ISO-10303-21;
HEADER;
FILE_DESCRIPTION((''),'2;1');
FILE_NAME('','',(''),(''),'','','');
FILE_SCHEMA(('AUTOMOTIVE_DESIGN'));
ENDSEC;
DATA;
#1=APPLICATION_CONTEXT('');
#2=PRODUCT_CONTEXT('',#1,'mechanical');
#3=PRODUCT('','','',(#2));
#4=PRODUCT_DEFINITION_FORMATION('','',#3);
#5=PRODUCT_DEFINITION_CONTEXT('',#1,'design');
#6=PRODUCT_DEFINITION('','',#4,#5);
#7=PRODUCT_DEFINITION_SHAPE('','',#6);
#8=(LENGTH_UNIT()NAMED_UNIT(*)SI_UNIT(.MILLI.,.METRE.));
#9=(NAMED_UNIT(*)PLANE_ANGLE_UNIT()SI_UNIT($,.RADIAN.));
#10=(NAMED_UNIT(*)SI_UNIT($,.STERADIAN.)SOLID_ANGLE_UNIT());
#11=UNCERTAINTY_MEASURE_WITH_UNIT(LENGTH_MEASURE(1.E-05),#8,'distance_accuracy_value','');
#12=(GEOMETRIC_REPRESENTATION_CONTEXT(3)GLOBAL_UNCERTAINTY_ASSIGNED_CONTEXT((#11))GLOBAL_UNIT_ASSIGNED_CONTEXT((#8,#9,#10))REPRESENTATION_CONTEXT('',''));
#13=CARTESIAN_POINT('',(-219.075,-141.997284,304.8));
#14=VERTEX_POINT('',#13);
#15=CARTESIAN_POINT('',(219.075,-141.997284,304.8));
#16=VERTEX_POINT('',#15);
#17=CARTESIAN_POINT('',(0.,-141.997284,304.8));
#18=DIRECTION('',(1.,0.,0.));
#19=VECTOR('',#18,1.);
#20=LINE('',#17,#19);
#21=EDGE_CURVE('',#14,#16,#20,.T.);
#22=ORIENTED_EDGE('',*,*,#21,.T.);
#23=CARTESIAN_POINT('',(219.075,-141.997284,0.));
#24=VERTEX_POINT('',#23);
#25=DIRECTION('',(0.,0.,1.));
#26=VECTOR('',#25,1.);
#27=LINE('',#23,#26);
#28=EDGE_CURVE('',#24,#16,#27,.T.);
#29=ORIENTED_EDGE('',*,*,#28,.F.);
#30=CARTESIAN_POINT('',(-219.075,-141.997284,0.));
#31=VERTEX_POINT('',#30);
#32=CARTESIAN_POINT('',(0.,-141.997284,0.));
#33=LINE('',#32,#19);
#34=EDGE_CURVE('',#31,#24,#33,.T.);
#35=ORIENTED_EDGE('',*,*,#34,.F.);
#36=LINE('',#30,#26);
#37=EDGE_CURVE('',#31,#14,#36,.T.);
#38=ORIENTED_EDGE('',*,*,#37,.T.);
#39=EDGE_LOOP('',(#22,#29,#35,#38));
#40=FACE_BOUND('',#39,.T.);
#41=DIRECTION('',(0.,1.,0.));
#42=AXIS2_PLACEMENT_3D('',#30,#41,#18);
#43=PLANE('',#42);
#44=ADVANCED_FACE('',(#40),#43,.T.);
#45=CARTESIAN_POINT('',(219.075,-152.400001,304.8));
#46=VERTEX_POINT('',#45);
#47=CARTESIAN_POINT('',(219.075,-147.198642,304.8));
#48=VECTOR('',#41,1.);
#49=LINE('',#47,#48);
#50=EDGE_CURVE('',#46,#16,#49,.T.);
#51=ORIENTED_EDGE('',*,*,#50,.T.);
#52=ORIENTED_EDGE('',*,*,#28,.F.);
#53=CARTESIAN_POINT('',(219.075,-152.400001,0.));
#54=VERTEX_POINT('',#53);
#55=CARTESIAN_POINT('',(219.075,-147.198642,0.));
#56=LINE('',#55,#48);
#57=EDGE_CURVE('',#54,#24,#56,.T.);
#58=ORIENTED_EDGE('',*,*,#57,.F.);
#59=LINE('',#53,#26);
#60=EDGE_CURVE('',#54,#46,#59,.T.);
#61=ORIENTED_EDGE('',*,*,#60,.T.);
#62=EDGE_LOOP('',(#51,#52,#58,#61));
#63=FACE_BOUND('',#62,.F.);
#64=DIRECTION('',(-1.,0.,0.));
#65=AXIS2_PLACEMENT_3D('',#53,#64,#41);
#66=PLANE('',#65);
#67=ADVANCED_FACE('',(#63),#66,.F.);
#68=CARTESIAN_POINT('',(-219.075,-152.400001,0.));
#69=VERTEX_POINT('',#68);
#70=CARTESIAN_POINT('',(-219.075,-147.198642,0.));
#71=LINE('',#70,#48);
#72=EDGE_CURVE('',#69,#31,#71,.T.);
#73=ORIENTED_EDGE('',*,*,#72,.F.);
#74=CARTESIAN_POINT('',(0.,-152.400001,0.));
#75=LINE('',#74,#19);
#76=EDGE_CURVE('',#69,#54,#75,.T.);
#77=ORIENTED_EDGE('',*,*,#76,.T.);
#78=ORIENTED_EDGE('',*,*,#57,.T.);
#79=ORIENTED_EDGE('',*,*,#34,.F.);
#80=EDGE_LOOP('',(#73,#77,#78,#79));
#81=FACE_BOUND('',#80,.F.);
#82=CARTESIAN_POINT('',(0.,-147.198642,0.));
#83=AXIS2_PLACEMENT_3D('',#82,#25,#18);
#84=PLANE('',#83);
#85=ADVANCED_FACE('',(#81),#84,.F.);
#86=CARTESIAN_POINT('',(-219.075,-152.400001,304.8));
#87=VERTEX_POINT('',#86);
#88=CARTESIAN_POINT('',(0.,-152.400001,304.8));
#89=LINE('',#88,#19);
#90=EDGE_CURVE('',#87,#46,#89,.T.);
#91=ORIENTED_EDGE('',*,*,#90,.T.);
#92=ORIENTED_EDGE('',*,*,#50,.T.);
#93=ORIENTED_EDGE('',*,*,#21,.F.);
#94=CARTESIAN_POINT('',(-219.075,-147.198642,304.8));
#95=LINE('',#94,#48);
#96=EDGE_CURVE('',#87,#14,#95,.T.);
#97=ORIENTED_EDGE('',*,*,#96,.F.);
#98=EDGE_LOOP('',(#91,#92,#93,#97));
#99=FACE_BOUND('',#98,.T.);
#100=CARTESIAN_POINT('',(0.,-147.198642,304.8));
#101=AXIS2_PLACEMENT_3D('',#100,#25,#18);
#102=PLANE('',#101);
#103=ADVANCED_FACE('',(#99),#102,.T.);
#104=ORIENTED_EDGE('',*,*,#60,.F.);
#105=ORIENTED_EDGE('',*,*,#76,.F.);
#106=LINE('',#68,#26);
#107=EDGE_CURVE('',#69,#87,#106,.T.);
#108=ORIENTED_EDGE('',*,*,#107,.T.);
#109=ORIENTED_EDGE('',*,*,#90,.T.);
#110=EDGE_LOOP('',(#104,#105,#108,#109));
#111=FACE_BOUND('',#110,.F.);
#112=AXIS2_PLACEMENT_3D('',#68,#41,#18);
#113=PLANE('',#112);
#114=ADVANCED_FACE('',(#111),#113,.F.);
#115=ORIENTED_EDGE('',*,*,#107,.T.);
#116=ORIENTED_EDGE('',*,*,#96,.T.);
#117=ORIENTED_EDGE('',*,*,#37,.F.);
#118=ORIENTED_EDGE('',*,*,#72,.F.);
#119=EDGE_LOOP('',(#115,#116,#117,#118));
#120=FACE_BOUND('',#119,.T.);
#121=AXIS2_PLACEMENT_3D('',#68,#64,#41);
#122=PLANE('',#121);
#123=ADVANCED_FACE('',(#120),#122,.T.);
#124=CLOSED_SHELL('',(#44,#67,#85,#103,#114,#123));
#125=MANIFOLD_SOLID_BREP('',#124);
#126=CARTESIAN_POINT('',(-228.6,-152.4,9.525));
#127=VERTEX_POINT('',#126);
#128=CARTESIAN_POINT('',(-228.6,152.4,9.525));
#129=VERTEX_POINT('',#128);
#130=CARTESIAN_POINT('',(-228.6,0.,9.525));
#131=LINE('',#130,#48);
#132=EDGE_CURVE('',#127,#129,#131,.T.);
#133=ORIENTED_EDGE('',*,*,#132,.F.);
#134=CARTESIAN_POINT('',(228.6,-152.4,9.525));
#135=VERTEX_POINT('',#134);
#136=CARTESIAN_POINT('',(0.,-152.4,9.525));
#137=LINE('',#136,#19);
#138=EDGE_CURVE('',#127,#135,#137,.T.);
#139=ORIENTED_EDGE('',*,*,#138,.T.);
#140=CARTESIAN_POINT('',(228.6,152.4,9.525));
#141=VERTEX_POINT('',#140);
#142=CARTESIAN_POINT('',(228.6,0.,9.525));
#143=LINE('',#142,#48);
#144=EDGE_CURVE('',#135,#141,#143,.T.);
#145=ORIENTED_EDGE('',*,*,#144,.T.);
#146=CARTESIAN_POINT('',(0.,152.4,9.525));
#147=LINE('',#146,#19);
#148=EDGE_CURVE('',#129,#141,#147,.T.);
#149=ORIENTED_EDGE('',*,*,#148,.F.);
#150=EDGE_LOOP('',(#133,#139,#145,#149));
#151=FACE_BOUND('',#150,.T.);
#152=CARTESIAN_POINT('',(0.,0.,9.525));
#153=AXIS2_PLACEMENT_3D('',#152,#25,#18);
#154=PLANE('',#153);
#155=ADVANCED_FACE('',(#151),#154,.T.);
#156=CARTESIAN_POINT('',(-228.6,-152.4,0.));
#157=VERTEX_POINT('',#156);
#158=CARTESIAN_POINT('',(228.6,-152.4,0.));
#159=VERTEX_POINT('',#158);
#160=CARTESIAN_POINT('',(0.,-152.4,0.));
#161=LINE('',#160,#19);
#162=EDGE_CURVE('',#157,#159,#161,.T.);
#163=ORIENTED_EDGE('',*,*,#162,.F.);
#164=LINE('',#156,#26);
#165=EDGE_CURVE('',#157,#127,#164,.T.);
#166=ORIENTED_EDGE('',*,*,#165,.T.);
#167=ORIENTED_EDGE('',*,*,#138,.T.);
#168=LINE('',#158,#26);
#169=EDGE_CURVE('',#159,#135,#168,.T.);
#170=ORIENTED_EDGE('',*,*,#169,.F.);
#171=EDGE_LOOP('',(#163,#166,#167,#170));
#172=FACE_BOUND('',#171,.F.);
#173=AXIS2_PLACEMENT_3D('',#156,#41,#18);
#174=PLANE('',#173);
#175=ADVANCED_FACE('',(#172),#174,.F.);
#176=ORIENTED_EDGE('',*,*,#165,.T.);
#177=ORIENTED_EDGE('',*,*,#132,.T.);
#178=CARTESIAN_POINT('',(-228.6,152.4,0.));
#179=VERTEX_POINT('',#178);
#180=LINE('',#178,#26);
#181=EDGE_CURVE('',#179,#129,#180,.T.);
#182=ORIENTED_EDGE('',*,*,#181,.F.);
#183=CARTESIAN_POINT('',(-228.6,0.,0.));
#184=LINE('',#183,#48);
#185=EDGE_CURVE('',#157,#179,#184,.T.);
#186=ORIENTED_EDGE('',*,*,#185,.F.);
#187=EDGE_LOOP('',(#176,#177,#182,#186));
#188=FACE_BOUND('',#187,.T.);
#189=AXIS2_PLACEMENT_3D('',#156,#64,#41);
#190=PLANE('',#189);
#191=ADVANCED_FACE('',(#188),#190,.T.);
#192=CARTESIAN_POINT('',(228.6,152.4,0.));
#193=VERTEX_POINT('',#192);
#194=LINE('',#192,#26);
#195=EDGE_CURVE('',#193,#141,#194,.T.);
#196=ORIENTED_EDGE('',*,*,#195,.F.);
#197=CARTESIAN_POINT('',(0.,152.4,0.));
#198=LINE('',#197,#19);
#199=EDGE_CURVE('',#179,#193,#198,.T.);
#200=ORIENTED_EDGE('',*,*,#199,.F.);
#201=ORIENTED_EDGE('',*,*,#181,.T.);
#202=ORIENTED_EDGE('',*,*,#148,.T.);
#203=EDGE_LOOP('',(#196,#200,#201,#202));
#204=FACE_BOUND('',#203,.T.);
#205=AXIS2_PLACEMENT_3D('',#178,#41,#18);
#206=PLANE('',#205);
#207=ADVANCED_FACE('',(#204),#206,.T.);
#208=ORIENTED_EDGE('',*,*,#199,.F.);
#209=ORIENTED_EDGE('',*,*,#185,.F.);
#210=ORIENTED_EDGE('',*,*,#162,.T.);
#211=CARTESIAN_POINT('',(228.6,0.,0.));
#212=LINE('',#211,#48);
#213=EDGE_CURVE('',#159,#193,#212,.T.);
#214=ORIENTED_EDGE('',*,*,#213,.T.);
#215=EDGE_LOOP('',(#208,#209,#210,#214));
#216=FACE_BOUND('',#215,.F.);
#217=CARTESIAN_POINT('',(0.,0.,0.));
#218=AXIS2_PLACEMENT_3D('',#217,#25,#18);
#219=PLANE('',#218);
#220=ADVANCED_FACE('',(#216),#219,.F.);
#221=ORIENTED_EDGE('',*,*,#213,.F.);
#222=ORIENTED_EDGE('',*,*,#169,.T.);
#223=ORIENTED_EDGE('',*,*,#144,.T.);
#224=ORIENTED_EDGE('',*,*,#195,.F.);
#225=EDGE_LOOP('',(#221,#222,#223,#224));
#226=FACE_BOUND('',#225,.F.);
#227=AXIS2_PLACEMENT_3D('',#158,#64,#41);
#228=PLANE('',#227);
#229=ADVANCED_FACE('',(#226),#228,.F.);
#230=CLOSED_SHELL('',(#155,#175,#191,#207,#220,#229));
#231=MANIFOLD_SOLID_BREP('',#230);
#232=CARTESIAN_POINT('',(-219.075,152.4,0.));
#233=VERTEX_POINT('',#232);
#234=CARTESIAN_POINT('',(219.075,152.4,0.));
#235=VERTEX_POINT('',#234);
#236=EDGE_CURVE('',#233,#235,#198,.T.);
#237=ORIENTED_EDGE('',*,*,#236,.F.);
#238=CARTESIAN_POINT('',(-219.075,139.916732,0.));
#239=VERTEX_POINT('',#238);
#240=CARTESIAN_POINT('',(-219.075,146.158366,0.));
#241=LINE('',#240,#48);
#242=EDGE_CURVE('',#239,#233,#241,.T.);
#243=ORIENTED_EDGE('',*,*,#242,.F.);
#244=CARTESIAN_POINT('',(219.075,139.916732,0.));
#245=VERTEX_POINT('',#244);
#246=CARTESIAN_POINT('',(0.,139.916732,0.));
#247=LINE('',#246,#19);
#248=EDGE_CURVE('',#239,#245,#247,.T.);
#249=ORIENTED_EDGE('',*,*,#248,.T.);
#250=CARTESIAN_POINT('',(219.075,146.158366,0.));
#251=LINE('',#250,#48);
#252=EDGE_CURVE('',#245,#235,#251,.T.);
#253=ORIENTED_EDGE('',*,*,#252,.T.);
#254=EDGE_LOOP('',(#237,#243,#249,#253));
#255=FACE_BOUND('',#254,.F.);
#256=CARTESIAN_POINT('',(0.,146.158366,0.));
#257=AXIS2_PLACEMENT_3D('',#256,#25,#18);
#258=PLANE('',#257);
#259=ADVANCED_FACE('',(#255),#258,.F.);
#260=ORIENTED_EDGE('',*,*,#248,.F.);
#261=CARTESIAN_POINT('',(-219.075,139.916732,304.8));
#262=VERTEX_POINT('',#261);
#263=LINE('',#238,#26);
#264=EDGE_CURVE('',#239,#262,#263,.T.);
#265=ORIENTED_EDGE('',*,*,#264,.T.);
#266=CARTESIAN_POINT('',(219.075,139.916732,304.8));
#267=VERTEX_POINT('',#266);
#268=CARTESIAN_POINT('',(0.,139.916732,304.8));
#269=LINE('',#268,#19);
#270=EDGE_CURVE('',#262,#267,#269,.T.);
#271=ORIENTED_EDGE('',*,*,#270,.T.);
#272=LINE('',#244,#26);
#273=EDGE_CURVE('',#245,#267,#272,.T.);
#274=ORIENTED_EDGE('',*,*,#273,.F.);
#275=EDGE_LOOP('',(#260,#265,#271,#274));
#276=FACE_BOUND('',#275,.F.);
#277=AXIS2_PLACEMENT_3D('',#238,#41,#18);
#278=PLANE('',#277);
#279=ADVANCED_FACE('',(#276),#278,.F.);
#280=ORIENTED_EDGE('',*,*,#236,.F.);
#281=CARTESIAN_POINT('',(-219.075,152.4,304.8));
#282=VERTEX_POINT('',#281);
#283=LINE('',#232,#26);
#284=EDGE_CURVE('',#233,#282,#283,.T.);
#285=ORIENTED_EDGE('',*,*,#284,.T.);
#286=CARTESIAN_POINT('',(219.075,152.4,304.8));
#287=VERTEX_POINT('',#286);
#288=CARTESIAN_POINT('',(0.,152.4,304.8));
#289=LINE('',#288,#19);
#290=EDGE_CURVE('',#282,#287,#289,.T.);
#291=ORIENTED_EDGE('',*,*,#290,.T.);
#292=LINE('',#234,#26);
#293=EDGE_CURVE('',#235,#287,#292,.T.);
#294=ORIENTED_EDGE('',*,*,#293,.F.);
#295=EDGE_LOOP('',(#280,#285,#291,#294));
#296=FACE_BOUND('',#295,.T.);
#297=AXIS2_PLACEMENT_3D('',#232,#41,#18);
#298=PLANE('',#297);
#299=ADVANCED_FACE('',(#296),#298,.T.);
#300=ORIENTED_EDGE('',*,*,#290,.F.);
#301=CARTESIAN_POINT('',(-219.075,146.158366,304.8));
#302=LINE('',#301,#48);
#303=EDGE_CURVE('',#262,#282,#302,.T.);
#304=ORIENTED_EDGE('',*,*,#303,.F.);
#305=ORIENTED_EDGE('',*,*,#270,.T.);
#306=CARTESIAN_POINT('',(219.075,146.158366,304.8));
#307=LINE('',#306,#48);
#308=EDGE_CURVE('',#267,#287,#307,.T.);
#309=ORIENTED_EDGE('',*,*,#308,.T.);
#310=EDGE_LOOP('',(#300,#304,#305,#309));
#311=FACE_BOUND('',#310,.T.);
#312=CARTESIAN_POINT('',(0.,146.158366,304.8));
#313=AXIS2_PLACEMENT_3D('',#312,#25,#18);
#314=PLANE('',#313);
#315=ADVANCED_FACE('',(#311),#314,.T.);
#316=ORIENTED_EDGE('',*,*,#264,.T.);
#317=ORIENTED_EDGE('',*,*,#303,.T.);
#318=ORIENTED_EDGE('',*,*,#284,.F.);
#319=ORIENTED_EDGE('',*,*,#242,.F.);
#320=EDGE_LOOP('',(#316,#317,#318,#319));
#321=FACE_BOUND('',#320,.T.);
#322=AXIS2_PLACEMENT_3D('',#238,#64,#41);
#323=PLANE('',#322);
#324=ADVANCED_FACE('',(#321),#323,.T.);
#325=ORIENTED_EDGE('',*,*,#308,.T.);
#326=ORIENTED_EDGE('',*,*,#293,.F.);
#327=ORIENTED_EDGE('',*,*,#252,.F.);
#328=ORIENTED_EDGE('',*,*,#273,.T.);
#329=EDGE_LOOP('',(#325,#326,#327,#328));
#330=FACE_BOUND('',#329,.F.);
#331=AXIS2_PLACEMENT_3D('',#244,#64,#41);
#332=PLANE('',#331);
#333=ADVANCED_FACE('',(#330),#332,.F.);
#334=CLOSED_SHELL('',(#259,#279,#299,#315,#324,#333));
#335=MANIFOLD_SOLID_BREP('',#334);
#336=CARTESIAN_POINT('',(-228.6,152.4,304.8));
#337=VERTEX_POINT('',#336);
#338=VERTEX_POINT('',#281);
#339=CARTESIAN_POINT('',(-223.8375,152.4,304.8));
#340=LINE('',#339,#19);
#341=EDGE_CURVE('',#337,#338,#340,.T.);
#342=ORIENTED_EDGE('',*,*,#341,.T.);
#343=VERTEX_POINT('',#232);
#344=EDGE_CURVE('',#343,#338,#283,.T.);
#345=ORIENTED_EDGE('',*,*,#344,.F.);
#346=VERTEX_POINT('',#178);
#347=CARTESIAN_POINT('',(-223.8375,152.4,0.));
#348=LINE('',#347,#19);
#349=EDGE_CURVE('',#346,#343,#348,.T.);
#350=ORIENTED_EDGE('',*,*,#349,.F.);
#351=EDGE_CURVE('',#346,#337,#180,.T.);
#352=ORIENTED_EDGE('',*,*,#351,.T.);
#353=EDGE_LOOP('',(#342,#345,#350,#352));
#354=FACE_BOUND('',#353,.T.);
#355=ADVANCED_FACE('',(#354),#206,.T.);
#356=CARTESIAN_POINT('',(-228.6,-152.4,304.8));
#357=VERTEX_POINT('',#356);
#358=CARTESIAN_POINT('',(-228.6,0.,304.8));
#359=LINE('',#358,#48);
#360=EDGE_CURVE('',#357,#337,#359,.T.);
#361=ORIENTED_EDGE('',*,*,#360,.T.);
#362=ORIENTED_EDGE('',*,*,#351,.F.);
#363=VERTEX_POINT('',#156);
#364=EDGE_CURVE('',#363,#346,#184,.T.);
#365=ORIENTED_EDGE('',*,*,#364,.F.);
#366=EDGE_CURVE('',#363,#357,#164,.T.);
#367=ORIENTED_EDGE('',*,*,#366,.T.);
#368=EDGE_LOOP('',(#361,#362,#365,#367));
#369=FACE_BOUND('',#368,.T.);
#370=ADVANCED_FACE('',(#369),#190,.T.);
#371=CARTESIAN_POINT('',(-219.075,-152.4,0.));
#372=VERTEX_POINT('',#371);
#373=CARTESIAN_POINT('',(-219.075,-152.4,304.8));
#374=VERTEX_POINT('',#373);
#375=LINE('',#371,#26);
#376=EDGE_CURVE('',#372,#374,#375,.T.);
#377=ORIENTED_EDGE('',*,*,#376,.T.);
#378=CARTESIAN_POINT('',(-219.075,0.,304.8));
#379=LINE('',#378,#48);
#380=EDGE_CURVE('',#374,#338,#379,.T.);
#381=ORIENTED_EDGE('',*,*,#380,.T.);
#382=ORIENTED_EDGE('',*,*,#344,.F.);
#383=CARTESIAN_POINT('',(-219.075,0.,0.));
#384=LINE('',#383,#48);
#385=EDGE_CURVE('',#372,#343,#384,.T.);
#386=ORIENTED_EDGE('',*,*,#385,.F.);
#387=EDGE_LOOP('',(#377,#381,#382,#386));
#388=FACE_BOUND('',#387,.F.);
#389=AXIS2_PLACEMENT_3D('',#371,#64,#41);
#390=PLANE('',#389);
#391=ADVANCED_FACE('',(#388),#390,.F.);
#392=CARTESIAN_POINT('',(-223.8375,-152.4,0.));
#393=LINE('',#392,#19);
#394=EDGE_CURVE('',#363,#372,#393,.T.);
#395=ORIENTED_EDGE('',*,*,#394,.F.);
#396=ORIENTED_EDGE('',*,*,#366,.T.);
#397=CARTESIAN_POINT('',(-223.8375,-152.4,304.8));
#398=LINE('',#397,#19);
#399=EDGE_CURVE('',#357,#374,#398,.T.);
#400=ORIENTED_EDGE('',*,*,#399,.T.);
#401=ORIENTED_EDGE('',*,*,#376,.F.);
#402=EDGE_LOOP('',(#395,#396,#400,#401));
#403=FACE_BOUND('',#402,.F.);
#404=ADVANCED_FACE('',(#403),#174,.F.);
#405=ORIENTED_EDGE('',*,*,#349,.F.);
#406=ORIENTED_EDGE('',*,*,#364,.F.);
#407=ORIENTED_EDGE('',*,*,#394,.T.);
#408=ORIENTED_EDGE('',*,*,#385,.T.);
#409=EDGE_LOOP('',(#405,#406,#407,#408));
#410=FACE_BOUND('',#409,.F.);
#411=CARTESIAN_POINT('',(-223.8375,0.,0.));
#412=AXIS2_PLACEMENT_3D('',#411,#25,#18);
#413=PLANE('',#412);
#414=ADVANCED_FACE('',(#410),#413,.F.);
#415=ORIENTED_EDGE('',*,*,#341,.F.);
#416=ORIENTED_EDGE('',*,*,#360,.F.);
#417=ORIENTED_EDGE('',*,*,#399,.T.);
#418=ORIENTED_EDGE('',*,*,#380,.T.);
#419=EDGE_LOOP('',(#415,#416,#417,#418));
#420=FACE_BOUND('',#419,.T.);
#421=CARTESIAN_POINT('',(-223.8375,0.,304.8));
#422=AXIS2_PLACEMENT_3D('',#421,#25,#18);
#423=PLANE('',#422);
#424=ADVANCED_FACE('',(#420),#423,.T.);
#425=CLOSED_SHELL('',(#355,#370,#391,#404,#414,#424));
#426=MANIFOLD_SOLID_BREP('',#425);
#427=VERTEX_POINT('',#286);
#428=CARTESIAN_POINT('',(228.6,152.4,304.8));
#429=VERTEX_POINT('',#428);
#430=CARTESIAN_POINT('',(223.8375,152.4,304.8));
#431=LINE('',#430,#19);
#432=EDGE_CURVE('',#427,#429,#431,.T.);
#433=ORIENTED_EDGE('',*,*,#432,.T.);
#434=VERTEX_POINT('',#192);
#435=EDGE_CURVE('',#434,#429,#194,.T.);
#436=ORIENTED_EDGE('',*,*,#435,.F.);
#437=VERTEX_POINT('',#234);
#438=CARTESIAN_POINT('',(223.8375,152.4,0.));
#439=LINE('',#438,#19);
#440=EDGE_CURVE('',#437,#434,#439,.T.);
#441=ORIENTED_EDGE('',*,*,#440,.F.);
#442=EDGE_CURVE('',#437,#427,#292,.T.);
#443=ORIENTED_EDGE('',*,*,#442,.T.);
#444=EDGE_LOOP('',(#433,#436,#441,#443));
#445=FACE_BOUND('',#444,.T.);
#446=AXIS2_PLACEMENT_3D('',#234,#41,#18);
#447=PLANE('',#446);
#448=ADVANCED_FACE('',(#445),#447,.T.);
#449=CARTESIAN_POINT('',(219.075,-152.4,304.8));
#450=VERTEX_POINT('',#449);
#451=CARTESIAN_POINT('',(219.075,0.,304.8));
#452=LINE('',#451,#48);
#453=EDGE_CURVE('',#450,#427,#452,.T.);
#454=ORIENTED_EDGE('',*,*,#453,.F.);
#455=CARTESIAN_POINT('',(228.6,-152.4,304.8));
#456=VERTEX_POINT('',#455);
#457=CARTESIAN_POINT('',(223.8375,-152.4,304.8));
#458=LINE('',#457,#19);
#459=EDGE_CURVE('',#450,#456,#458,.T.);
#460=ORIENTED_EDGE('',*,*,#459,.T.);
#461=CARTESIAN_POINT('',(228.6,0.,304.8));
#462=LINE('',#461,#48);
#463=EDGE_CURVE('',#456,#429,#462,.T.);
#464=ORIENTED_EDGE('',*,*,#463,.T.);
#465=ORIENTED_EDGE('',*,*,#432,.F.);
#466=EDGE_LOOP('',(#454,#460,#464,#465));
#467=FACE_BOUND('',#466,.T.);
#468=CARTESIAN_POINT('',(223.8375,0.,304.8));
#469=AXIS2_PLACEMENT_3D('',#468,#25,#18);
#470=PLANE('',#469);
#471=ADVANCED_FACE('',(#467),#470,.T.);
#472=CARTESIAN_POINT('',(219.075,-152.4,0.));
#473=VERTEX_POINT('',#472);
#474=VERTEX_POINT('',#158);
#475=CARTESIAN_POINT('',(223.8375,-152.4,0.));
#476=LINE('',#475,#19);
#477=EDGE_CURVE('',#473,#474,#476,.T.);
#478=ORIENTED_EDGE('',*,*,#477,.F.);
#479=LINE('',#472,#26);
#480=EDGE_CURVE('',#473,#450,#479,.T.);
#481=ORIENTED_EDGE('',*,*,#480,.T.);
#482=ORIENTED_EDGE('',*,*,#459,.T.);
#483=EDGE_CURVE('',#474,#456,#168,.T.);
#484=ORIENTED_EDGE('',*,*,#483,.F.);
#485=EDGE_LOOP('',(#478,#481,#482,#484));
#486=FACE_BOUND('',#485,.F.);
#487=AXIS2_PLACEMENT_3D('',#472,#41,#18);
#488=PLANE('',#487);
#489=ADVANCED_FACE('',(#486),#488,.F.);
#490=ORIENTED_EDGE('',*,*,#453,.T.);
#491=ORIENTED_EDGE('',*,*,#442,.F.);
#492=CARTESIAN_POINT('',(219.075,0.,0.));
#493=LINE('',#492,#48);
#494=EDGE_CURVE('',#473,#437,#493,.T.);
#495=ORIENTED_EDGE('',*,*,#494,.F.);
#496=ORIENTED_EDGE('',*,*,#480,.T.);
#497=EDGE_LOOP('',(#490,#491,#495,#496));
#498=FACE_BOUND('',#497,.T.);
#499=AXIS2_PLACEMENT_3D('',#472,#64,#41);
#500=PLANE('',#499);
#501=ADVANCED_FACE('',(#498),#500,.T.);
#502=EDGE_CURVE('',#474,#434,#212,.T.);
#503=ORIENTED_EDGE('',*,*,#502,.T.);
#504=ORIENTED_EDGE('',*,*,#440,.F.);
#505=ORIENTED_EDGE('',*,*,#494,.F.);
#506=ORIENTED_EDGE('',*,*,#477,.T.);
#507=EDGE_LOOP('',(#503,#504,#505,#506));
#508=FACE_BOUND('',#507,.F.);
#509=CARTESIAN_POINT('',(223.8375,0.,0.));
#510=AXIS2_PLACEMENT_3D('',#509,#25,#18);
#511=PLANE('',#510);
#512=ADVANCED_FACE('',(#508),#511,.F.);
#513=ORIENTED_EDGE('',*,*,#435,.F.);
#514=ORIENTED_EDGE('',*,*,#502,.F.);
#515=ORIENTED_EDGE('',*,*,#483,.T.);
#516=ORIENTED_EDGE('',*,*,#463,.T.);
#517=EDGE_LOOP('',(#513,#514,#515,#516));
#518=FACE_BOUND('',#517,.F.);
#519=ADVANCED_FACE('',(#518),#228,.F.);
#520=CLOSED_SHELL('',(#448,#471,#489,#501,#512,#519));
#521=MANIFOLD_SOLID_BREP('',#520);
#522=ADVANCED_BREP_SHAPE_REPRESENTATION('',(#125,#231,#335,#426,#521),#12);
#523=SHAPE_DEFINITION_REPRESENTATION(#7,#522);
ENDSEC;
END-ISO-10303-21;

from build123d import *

# Parameters (mm, degrees)
F0_W     = 438.15
F0_H     = 12.483267
F0_H_2   = 10.402717
F2_DEPTH = 304.8
F1_W     = 9.525
F1_H     = 304.8
F3_DEPTH = 304.8
F4_W     = 457.2
F4_H     = 304.8
F5_DEPTH = 9.525


with BuildPart() as f2:
    # F0 (on Top) → F2 (new body)
    with BuildSketch(Plane.XY):
        with Locations((0, 146.158366)):
            Rectangle(F0_W, F0_H)
        with Locations((0, -147.198642)):
            Rectangle(F0_W, F0_H_2)
    extrude(amount=F2_DEPTH)


with BuildPart() as f3:
    # F1 (on Top) → F3 (new body)
    with BuildSketch(Plane.XY):
        with Locations((-223.8375, 0)):
            Rectangle(F1_W, F1_H)
        with Locations((223.8375, 0)):
            Rectangle(F1_W, F1_H)
    extrude(amount=F3_DEPTH)


with BuildPart() as f5:
    # F4 (on Top) → F5 (new body)
    with BuildSketch(Plane.XY):
        Rectangle(F4_W, F4_H)
    extrude(amount=F5_DEPTH)


solid = Compound([f2.part, f3.part, f5.part])
